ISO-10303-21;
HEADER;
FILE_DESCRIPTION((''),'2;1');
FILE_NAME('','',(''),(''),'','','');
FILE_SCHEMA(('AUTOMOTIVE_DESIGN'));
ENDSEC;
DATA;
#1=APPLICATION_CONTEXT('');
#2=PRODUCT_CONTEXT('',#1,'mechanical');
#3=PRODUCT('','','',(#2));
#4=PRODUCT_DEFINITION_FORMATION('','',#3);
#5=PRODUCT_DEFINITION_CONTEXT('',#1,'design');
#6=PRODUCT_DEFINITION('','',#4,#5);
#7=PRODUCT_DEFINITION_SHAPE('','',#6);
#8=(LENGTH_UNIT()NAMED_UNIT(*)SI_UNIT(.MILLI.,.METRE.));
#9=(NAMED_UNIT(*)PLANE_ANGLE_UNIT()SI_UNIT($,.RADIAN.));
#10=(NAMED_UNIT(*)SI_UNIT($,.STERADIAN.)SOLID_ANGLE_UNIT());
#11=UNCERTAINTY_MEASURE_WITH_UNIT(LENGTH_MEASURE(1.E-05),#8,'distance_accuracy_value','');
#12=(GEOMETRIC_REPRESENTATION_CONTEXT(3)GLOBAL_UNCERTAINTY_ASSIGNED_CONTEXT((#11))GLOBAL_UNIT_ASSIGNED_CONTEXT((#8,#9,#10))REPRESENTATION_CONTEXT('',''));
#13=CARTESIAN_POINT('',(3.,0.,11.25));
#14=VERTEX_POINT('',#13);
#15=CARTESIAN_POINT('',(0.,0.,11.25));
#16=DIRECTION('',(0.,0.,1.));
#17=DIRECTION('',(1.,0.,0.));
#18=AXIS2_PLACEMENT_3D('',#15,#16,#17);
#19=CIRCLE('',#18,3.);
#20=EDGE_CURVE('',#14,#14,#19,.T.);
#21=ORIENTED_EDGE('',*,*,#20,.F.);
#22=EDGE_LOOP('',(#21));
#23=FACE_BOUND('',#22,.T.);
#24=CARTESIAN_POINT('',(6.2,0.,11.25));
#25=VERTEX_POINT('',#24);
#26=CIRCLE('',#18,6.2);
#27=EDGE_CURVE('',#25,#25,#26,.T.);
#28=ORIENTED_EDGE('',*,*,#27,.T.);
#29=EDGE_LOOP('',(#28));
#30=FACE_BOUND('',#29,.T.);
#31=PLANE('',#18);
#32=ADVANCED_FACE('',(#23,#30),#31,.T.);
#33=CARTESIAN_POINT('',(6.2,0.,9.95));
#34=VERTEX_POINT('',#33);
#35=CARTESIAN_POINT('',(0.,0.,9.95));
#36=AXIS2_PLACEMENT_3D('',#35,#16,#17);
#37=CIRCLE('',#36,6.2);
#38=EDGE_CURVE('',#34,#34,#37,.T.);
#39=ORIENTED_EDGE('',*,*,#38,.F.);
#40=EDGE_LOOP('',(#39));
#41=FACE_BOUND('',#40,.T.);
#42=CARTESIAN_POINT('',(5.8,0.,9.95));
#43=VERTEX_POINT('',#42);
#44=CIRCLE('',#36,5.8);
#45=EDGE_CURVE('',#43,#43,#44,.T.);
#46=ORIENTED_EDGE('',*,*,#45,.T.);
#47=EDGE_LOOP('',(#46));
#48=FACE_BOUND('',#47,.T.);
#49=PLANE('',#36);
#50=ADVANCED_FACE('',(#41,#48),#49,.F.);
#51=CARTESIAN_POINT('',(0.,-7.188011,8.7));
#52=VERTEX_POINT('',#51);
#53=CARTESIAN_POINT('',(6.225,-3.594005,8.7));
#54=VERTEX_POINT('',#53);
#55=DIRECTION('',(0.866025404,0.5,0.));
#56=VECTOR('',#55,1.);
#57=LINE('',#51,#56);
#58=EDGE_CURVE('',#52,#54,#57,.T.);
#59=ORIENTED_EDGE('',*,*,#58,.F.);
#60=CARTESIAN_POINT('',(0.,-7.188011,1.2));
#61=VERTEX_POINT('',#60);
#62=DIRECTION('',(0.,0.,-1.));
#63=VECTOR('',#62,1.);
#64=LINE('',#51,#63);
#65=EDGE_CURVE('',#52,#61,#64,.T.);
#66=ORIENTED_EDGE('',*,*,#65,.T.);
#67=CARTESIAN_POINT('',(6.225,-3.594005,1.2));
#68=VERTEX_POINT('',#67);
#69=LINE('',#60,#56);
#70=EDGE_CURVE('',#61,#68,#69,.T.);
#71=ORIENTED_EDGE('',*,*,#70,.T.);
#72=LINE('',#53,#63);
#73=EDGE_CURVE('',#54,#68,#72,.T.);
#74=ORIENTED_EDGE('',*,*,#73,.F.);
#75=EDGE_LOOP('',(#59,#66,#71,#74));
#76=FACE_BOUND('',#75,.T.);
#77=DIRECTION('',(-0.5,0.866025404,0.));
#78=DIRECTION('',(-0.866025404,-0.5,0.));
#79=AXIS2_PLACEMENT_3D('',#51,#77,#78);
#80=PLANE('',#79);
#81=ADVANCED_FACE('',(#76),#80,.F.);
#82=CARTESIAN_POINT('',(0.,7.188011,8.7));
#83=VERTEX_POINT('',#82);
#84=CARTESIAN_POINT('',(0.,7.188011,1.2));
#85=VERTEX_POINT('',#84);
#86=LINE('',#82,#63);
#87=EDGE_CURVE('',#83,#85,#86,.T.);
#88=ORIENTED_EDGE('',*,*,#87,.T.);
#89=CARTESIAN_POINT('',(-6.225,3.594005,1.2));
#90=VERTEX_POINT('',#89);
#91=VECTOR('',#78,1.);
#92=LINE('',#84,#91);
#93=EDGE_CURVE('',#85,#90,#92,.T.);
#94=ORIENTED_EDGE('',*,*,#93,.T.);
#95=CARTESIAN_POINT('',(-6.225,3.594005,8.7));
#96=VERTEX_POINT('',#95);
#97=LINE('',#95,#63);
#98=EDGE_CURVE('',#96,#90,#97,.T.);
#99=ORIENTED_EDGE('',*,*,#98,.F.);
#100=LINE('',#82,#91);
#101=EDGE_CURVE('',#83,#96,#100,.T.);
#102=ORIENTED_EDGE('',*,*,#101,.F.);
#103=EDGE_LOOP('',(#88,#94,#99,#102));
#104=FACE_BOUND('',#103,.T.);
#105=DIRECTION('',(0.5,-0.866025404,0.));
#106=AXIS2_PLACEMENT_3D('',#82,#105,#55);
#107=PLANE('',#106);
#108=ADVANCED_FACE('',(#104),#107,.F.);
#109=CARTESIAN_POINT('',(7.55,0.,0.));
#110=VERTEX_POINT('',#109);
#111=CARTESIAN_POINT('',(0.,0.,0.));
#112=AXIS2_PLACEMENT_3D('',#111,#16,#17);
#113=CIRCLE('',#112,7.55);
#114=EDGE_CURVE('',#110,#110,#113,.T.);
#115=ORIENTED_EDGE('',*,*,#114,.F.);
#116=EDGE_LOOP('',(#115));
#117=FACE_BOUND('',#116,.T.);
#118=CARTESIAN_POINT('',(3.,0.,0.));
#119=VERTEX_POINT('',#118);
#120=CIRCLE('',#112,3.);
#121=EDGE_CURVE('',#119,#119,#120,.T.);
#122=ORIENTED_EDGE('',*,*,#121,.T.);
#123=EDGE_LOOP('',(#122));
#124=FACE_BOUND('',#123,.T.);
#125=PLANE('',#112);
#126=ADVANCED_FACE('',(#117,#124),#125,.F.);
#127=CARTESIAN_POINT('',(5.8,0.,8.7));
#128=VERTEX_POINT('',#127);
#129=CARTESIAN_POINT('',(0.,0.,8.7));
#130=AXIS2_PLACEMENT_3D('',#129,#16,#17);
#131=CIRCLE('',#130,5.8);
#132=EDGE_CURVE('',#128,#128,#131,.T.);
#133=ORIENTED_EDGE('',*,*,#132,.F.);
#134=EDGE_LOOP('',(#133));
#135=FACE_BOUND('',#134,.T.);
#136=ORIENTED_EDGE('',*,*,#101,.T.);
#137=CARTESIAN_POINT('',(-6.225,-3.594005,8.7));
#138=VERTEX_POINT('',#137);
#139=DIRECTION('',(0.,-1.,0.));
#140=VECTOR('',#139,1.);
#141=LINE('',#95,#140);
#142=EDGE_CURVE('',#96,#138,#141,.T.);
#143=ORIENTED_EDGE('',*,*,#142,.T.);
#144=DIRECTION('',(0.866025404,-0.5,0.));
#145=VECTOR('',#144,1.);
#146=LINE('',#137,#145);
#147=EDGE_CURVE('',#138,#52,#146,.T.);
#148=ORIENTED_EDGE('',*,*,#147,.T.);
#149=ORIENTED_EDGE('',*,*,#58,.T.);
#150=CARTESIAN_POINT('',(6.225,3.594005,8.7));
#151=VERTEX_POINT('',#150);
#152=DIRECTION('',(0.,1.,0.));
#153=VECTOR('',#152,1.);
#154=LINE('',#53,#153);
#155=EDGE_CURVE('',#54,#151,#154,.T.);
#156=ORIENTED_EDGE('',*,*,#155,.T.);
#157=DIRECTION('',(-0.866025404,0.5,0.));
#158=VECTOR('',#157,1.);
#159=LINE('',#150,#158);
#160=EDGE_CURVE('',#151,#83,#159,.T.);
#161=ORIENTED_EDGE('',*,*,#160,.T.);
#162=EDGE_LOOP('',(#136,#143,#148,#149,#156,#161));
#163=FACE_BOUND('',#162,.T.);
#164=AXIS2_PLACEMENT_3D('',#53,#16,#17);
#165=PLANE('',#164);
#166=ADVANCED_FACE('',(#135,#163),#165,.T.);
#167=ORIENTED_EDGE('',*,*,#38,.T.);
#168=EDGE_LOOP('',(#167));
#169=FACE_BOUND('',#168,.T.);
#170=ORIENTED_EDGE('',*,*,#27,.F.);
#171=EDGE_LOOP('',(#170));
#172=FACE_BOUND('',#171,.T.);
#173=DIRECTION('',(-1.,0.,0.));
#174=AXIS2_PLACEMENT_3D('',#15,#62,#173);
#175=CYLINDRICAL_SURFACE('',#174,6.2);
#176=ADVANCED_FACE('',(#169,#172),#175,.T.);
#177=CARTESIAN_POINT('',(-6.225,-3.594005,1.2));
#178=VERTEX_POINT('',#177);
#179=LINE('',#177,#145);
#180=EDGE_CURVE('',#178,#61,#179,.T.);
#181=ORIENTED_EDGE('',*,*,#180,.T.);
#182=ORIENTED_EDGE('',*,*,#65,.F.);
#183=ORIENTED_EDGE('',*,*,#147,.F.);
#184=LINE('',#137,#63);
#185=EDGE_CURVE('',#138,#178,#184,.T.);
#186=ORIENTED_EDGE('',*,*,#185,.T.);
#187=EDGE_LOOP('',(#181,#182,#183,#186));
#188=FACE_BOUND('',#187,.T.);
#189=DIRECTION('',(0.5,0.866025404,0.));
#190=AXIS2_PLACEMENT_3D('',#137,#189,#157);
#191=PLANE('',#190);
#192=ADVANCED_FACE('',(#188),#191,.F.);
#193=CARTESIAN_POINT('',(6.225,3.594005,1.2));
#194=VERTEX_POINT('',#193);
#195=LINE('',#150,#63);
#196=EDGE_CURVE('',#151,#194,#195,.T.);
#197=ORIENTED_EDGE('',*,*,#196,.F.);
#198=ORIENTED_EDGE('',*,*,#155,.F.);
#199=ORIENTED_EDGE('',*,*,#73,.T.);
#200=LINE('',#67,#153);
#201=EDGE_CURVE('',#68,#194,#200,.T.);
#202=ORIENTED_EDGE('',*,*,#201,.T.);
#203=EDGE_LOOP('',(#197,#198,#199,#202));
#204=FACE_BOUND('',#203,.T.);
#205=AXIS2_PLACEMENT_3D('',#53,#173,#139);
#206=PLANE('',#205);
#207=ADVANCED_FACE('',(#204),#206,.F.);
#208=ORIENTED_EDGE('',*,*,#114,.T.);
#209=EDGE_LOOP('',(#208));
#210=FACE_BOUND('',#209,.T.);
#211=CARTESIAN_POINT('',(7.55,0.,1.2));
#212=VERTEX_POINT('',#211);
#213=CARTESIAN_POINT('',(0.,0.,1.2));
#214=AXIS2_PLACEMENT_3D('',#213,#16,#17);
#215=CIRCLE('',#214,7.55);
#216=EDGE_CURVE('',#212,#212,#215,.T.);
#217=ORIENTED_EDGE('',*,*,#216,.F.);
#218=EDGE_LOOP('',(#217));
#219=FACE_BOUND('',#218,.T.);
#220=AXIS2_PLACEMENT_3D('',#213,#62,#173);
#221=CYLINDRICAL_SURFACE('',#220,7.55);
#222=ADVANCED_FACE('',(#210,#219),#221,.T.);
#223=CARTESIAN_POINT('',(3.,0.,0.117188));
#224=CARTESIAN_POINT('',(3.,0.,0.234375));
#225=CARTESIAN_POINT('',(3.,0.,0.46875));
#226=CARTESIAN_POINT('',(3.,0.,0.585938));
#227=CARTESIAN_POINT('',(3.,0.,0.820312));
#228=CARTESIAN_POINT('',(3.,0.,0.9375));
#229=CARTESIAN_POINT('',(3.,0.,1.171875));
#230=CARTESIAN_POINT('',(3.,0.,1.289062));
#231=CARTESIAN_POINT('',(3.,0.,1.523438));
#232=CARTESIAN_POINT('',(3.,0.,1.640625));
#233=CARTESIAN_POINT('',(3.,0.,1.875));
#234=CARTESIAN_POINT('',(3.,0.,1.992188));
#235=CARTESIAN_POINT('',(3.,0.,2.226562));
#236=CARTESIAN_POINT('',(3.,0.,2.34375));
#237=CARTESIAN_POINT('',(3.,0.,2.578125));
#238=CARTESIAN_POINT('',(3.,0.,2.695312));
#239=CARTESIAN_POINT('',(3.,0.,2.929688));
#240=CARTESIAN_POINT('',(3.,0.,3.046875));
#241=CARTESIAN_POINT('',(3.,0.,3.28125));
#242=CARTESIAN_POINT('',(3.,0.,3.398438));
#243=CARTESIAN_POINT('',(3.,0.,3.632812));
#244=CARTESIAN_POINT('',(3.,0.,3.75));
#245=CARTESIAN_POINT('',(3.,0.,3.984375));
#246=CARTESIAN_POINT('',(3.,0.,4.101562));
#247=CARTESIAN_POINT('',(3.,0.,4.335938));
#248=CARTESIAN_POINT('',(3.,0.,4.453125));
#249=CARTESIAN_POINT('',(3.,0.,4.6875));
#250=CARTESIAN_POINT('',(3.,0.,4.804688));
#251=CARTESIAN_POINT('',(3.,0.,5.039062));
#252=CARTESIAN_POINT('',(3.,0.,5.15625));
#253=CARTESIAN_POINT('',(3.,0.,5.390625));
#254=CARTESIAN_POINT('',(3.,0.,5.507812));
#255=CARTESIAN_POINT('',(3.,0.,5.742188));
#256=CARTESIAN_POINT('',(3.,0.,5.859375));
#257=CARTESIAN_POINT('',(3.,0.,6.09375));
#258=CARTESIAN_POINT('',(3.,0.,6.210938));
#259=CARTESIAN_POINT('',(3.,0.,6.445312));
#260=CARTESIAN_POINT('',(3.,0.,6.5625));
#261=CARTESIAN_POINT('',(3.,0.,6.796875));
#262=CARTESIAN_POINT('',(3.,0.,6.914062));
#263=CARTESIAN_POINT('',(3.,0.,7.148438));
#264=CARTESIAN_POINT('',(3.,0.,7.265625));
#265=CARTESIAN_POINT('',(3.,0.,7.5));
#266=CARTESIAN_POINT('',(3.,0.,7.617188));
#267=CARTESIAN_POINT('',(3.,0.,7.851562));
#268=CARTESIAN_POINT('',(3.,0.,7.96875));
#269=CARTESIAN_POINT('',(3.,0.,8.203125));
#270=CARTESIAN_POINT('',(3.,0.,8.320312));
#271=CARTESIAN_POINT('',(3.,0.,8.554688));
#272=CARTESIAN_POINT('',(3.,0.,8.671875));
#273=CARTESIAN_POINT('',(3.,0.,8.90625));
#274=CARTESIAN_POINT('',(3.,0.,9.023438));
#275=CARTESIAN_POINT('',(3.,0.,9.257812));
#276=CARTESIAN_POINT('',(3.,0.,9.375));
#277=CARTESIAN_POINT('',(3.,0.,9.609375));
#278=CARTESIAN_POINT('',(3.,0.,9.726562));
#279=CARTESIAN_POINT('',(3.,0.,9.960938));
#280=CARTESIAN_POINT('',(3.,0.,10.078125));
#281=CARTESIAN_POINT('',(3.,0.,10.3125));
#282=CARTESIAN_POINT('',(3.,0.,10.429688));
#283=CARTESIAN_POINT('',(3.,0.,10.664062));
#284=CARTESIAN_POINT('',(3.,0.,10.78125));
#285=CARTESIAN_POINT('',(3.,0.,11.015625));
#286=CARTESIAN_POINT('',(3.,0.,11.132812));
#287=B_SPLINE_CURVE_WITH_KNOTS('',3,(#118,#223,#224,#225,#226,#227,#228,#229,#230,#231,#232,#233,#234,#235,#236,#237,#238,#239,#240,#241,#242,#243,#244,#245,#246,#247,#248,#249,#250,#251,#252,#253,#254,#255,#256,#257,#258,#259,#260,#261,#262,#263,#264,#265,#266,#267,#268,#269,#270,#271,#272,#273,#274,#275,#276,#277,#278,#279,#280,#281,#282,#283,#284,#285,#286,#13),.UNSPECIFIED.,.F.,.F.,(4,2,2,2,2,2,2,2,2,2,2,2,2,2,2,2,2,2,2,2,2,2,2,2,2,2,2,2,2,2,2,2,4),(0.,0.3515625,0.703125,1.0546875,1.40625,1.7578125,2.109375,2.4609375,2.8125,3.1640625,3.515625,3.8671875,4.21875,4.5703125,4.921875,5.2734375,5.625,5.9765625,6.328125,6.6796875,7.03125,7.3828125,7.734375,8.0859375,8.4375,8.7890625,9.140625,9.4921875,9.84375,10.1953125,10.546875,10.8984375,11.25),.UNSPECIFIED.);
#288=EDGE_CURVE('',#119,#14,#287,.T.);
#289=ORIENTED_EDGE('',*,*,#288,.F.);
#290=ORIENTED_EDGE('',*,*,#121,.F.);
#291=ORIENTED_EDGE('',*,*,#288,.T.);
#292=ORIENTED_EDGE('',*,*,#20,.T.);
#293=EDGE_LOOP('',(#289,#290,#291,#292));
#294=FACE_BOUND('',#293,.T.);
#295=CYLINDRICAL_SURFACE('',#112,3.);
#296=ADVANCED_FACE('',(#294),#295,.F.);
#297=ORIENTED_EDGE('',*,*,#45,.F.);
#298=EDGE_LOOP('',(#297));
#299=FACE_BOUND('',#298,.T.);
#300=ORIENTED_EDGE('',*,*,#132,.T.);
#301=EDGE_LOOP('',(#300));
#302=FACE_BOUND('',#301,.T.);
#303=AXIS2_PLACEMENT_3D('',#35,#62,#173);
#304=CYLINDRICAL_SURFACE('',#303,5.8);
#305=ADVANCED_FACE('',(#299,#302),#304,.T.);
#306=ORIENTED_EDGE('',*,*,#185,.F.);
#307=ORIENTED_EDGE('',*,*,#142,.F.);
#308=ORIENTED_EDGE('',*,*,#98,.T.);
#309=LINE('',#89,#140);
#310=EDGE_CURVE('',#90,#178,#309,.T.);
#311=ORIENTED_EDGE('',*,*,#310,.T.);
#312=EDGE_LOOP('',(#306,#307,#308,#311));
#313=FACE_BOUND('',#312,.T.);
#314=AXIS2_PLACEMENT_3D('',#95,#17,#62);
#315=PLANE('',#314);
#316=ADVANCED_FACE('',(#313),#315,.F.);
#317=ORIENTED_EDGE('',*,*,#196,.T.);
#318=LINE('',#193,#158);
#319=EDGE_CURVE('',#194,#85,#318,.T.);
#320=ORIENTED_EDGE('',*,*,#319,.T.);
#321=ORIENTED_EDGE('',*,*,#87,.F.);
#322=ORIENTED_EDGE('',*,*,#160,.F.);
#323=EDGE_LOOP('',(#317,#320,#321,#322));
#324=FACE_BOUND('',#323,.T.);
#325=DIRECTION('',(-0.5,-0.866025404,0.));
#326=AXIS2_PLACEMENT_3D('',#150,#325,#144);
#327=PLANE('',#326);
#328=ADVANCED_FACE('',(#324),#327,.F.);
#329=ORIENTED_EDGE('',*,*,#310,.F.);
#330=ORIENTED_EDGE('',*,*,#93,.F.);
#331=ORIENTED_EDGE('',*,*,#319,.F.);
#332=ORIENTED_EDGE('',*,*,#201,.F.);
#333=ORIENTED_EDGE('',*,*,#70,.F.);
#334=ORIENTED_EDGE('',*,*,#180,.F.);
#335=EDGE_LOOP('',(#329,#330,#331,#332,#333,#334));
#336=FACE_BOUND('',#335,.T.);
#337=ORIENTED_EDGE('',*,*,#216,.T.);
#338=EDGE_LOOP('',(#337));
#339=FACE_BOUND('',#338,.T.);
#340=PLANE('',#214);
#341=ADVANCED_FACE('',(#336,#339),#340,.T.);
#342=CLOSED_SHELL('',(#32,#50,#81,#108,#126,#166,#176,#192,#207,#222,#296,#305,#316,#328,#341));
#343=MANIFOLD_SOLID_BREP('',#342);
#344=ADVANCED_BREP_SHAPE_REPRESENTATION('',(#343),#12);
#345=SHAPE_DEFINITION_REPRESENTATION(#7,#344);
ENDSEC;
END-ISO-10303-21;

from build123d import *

# Parameters (mm, degrees)
ESQUISSE1_R             = 7.55
BOSS_EXTRU_1_DEPTH      = 1.2
BOSS_EXTRU_2_DEPTH      = 7.5
ESQUISSE3_R             = 5.8
BOSS_EXTRU_3_DEPTH      = 1.25
ESQUISSE4_R             = 6.2
BOSS_EXTRU_4_DEPTH      = 1.3
ESQUISSE5_R             = 3
ENL_V_MAT_EXTRU_1_DEPTH = 16.510238554


with BuildPart() as part:
    # Esquisse1 → Boss.-Extru.1 (new body)
    with BuildSketch(Plane.XY):
        Circle(ESQUISSE1_R)
    extrude(amount=BOSS_EXTRU_1_DEPTH)

    # Esquisse2 → Boss.-Extru.2 (add)
    with BuildSketch(Plane.XY.offset(1.2)):
        Polygon((6.225, -3.594005426), (6.225, 3.594005426), (0, 7.188010851), (-6.225, 3.594005426), (-6.225, -3.594005426), (0, -7.188010851), align=None)
    extrude(amount=BOSS_EXTRU_2_DEPTH)

    # Esquisse3 → Boss.-Extru.3 (add)
    with BuildSketch(Plane.XY.offset(8.7)):
        Circle(ESQUISSE3_R)
    extrude(amount=BOSS_EXTRU_3_DEPTH)

    # Esquisse4 → Boss.-Extru.4 (add)
    with BuildSketch(Plane.XY.offset(9.95)):
        Circle(ESQUISSE4_R)
    extrude(amount=BOSS_EXTRU_4_DEPTH)

    # Esquisse5 → Enlèv. mat.-Extru.1 (cut, through all)
    with BuildSketch(Plane.XY.offset(11.25)):
        Circle(ESQUISSE5_R)
    extrude(amount=-ENL_V_MAT_EXTRU_1_DEPTH, mode=Mode.SUBTRACT)


solid = part.part
